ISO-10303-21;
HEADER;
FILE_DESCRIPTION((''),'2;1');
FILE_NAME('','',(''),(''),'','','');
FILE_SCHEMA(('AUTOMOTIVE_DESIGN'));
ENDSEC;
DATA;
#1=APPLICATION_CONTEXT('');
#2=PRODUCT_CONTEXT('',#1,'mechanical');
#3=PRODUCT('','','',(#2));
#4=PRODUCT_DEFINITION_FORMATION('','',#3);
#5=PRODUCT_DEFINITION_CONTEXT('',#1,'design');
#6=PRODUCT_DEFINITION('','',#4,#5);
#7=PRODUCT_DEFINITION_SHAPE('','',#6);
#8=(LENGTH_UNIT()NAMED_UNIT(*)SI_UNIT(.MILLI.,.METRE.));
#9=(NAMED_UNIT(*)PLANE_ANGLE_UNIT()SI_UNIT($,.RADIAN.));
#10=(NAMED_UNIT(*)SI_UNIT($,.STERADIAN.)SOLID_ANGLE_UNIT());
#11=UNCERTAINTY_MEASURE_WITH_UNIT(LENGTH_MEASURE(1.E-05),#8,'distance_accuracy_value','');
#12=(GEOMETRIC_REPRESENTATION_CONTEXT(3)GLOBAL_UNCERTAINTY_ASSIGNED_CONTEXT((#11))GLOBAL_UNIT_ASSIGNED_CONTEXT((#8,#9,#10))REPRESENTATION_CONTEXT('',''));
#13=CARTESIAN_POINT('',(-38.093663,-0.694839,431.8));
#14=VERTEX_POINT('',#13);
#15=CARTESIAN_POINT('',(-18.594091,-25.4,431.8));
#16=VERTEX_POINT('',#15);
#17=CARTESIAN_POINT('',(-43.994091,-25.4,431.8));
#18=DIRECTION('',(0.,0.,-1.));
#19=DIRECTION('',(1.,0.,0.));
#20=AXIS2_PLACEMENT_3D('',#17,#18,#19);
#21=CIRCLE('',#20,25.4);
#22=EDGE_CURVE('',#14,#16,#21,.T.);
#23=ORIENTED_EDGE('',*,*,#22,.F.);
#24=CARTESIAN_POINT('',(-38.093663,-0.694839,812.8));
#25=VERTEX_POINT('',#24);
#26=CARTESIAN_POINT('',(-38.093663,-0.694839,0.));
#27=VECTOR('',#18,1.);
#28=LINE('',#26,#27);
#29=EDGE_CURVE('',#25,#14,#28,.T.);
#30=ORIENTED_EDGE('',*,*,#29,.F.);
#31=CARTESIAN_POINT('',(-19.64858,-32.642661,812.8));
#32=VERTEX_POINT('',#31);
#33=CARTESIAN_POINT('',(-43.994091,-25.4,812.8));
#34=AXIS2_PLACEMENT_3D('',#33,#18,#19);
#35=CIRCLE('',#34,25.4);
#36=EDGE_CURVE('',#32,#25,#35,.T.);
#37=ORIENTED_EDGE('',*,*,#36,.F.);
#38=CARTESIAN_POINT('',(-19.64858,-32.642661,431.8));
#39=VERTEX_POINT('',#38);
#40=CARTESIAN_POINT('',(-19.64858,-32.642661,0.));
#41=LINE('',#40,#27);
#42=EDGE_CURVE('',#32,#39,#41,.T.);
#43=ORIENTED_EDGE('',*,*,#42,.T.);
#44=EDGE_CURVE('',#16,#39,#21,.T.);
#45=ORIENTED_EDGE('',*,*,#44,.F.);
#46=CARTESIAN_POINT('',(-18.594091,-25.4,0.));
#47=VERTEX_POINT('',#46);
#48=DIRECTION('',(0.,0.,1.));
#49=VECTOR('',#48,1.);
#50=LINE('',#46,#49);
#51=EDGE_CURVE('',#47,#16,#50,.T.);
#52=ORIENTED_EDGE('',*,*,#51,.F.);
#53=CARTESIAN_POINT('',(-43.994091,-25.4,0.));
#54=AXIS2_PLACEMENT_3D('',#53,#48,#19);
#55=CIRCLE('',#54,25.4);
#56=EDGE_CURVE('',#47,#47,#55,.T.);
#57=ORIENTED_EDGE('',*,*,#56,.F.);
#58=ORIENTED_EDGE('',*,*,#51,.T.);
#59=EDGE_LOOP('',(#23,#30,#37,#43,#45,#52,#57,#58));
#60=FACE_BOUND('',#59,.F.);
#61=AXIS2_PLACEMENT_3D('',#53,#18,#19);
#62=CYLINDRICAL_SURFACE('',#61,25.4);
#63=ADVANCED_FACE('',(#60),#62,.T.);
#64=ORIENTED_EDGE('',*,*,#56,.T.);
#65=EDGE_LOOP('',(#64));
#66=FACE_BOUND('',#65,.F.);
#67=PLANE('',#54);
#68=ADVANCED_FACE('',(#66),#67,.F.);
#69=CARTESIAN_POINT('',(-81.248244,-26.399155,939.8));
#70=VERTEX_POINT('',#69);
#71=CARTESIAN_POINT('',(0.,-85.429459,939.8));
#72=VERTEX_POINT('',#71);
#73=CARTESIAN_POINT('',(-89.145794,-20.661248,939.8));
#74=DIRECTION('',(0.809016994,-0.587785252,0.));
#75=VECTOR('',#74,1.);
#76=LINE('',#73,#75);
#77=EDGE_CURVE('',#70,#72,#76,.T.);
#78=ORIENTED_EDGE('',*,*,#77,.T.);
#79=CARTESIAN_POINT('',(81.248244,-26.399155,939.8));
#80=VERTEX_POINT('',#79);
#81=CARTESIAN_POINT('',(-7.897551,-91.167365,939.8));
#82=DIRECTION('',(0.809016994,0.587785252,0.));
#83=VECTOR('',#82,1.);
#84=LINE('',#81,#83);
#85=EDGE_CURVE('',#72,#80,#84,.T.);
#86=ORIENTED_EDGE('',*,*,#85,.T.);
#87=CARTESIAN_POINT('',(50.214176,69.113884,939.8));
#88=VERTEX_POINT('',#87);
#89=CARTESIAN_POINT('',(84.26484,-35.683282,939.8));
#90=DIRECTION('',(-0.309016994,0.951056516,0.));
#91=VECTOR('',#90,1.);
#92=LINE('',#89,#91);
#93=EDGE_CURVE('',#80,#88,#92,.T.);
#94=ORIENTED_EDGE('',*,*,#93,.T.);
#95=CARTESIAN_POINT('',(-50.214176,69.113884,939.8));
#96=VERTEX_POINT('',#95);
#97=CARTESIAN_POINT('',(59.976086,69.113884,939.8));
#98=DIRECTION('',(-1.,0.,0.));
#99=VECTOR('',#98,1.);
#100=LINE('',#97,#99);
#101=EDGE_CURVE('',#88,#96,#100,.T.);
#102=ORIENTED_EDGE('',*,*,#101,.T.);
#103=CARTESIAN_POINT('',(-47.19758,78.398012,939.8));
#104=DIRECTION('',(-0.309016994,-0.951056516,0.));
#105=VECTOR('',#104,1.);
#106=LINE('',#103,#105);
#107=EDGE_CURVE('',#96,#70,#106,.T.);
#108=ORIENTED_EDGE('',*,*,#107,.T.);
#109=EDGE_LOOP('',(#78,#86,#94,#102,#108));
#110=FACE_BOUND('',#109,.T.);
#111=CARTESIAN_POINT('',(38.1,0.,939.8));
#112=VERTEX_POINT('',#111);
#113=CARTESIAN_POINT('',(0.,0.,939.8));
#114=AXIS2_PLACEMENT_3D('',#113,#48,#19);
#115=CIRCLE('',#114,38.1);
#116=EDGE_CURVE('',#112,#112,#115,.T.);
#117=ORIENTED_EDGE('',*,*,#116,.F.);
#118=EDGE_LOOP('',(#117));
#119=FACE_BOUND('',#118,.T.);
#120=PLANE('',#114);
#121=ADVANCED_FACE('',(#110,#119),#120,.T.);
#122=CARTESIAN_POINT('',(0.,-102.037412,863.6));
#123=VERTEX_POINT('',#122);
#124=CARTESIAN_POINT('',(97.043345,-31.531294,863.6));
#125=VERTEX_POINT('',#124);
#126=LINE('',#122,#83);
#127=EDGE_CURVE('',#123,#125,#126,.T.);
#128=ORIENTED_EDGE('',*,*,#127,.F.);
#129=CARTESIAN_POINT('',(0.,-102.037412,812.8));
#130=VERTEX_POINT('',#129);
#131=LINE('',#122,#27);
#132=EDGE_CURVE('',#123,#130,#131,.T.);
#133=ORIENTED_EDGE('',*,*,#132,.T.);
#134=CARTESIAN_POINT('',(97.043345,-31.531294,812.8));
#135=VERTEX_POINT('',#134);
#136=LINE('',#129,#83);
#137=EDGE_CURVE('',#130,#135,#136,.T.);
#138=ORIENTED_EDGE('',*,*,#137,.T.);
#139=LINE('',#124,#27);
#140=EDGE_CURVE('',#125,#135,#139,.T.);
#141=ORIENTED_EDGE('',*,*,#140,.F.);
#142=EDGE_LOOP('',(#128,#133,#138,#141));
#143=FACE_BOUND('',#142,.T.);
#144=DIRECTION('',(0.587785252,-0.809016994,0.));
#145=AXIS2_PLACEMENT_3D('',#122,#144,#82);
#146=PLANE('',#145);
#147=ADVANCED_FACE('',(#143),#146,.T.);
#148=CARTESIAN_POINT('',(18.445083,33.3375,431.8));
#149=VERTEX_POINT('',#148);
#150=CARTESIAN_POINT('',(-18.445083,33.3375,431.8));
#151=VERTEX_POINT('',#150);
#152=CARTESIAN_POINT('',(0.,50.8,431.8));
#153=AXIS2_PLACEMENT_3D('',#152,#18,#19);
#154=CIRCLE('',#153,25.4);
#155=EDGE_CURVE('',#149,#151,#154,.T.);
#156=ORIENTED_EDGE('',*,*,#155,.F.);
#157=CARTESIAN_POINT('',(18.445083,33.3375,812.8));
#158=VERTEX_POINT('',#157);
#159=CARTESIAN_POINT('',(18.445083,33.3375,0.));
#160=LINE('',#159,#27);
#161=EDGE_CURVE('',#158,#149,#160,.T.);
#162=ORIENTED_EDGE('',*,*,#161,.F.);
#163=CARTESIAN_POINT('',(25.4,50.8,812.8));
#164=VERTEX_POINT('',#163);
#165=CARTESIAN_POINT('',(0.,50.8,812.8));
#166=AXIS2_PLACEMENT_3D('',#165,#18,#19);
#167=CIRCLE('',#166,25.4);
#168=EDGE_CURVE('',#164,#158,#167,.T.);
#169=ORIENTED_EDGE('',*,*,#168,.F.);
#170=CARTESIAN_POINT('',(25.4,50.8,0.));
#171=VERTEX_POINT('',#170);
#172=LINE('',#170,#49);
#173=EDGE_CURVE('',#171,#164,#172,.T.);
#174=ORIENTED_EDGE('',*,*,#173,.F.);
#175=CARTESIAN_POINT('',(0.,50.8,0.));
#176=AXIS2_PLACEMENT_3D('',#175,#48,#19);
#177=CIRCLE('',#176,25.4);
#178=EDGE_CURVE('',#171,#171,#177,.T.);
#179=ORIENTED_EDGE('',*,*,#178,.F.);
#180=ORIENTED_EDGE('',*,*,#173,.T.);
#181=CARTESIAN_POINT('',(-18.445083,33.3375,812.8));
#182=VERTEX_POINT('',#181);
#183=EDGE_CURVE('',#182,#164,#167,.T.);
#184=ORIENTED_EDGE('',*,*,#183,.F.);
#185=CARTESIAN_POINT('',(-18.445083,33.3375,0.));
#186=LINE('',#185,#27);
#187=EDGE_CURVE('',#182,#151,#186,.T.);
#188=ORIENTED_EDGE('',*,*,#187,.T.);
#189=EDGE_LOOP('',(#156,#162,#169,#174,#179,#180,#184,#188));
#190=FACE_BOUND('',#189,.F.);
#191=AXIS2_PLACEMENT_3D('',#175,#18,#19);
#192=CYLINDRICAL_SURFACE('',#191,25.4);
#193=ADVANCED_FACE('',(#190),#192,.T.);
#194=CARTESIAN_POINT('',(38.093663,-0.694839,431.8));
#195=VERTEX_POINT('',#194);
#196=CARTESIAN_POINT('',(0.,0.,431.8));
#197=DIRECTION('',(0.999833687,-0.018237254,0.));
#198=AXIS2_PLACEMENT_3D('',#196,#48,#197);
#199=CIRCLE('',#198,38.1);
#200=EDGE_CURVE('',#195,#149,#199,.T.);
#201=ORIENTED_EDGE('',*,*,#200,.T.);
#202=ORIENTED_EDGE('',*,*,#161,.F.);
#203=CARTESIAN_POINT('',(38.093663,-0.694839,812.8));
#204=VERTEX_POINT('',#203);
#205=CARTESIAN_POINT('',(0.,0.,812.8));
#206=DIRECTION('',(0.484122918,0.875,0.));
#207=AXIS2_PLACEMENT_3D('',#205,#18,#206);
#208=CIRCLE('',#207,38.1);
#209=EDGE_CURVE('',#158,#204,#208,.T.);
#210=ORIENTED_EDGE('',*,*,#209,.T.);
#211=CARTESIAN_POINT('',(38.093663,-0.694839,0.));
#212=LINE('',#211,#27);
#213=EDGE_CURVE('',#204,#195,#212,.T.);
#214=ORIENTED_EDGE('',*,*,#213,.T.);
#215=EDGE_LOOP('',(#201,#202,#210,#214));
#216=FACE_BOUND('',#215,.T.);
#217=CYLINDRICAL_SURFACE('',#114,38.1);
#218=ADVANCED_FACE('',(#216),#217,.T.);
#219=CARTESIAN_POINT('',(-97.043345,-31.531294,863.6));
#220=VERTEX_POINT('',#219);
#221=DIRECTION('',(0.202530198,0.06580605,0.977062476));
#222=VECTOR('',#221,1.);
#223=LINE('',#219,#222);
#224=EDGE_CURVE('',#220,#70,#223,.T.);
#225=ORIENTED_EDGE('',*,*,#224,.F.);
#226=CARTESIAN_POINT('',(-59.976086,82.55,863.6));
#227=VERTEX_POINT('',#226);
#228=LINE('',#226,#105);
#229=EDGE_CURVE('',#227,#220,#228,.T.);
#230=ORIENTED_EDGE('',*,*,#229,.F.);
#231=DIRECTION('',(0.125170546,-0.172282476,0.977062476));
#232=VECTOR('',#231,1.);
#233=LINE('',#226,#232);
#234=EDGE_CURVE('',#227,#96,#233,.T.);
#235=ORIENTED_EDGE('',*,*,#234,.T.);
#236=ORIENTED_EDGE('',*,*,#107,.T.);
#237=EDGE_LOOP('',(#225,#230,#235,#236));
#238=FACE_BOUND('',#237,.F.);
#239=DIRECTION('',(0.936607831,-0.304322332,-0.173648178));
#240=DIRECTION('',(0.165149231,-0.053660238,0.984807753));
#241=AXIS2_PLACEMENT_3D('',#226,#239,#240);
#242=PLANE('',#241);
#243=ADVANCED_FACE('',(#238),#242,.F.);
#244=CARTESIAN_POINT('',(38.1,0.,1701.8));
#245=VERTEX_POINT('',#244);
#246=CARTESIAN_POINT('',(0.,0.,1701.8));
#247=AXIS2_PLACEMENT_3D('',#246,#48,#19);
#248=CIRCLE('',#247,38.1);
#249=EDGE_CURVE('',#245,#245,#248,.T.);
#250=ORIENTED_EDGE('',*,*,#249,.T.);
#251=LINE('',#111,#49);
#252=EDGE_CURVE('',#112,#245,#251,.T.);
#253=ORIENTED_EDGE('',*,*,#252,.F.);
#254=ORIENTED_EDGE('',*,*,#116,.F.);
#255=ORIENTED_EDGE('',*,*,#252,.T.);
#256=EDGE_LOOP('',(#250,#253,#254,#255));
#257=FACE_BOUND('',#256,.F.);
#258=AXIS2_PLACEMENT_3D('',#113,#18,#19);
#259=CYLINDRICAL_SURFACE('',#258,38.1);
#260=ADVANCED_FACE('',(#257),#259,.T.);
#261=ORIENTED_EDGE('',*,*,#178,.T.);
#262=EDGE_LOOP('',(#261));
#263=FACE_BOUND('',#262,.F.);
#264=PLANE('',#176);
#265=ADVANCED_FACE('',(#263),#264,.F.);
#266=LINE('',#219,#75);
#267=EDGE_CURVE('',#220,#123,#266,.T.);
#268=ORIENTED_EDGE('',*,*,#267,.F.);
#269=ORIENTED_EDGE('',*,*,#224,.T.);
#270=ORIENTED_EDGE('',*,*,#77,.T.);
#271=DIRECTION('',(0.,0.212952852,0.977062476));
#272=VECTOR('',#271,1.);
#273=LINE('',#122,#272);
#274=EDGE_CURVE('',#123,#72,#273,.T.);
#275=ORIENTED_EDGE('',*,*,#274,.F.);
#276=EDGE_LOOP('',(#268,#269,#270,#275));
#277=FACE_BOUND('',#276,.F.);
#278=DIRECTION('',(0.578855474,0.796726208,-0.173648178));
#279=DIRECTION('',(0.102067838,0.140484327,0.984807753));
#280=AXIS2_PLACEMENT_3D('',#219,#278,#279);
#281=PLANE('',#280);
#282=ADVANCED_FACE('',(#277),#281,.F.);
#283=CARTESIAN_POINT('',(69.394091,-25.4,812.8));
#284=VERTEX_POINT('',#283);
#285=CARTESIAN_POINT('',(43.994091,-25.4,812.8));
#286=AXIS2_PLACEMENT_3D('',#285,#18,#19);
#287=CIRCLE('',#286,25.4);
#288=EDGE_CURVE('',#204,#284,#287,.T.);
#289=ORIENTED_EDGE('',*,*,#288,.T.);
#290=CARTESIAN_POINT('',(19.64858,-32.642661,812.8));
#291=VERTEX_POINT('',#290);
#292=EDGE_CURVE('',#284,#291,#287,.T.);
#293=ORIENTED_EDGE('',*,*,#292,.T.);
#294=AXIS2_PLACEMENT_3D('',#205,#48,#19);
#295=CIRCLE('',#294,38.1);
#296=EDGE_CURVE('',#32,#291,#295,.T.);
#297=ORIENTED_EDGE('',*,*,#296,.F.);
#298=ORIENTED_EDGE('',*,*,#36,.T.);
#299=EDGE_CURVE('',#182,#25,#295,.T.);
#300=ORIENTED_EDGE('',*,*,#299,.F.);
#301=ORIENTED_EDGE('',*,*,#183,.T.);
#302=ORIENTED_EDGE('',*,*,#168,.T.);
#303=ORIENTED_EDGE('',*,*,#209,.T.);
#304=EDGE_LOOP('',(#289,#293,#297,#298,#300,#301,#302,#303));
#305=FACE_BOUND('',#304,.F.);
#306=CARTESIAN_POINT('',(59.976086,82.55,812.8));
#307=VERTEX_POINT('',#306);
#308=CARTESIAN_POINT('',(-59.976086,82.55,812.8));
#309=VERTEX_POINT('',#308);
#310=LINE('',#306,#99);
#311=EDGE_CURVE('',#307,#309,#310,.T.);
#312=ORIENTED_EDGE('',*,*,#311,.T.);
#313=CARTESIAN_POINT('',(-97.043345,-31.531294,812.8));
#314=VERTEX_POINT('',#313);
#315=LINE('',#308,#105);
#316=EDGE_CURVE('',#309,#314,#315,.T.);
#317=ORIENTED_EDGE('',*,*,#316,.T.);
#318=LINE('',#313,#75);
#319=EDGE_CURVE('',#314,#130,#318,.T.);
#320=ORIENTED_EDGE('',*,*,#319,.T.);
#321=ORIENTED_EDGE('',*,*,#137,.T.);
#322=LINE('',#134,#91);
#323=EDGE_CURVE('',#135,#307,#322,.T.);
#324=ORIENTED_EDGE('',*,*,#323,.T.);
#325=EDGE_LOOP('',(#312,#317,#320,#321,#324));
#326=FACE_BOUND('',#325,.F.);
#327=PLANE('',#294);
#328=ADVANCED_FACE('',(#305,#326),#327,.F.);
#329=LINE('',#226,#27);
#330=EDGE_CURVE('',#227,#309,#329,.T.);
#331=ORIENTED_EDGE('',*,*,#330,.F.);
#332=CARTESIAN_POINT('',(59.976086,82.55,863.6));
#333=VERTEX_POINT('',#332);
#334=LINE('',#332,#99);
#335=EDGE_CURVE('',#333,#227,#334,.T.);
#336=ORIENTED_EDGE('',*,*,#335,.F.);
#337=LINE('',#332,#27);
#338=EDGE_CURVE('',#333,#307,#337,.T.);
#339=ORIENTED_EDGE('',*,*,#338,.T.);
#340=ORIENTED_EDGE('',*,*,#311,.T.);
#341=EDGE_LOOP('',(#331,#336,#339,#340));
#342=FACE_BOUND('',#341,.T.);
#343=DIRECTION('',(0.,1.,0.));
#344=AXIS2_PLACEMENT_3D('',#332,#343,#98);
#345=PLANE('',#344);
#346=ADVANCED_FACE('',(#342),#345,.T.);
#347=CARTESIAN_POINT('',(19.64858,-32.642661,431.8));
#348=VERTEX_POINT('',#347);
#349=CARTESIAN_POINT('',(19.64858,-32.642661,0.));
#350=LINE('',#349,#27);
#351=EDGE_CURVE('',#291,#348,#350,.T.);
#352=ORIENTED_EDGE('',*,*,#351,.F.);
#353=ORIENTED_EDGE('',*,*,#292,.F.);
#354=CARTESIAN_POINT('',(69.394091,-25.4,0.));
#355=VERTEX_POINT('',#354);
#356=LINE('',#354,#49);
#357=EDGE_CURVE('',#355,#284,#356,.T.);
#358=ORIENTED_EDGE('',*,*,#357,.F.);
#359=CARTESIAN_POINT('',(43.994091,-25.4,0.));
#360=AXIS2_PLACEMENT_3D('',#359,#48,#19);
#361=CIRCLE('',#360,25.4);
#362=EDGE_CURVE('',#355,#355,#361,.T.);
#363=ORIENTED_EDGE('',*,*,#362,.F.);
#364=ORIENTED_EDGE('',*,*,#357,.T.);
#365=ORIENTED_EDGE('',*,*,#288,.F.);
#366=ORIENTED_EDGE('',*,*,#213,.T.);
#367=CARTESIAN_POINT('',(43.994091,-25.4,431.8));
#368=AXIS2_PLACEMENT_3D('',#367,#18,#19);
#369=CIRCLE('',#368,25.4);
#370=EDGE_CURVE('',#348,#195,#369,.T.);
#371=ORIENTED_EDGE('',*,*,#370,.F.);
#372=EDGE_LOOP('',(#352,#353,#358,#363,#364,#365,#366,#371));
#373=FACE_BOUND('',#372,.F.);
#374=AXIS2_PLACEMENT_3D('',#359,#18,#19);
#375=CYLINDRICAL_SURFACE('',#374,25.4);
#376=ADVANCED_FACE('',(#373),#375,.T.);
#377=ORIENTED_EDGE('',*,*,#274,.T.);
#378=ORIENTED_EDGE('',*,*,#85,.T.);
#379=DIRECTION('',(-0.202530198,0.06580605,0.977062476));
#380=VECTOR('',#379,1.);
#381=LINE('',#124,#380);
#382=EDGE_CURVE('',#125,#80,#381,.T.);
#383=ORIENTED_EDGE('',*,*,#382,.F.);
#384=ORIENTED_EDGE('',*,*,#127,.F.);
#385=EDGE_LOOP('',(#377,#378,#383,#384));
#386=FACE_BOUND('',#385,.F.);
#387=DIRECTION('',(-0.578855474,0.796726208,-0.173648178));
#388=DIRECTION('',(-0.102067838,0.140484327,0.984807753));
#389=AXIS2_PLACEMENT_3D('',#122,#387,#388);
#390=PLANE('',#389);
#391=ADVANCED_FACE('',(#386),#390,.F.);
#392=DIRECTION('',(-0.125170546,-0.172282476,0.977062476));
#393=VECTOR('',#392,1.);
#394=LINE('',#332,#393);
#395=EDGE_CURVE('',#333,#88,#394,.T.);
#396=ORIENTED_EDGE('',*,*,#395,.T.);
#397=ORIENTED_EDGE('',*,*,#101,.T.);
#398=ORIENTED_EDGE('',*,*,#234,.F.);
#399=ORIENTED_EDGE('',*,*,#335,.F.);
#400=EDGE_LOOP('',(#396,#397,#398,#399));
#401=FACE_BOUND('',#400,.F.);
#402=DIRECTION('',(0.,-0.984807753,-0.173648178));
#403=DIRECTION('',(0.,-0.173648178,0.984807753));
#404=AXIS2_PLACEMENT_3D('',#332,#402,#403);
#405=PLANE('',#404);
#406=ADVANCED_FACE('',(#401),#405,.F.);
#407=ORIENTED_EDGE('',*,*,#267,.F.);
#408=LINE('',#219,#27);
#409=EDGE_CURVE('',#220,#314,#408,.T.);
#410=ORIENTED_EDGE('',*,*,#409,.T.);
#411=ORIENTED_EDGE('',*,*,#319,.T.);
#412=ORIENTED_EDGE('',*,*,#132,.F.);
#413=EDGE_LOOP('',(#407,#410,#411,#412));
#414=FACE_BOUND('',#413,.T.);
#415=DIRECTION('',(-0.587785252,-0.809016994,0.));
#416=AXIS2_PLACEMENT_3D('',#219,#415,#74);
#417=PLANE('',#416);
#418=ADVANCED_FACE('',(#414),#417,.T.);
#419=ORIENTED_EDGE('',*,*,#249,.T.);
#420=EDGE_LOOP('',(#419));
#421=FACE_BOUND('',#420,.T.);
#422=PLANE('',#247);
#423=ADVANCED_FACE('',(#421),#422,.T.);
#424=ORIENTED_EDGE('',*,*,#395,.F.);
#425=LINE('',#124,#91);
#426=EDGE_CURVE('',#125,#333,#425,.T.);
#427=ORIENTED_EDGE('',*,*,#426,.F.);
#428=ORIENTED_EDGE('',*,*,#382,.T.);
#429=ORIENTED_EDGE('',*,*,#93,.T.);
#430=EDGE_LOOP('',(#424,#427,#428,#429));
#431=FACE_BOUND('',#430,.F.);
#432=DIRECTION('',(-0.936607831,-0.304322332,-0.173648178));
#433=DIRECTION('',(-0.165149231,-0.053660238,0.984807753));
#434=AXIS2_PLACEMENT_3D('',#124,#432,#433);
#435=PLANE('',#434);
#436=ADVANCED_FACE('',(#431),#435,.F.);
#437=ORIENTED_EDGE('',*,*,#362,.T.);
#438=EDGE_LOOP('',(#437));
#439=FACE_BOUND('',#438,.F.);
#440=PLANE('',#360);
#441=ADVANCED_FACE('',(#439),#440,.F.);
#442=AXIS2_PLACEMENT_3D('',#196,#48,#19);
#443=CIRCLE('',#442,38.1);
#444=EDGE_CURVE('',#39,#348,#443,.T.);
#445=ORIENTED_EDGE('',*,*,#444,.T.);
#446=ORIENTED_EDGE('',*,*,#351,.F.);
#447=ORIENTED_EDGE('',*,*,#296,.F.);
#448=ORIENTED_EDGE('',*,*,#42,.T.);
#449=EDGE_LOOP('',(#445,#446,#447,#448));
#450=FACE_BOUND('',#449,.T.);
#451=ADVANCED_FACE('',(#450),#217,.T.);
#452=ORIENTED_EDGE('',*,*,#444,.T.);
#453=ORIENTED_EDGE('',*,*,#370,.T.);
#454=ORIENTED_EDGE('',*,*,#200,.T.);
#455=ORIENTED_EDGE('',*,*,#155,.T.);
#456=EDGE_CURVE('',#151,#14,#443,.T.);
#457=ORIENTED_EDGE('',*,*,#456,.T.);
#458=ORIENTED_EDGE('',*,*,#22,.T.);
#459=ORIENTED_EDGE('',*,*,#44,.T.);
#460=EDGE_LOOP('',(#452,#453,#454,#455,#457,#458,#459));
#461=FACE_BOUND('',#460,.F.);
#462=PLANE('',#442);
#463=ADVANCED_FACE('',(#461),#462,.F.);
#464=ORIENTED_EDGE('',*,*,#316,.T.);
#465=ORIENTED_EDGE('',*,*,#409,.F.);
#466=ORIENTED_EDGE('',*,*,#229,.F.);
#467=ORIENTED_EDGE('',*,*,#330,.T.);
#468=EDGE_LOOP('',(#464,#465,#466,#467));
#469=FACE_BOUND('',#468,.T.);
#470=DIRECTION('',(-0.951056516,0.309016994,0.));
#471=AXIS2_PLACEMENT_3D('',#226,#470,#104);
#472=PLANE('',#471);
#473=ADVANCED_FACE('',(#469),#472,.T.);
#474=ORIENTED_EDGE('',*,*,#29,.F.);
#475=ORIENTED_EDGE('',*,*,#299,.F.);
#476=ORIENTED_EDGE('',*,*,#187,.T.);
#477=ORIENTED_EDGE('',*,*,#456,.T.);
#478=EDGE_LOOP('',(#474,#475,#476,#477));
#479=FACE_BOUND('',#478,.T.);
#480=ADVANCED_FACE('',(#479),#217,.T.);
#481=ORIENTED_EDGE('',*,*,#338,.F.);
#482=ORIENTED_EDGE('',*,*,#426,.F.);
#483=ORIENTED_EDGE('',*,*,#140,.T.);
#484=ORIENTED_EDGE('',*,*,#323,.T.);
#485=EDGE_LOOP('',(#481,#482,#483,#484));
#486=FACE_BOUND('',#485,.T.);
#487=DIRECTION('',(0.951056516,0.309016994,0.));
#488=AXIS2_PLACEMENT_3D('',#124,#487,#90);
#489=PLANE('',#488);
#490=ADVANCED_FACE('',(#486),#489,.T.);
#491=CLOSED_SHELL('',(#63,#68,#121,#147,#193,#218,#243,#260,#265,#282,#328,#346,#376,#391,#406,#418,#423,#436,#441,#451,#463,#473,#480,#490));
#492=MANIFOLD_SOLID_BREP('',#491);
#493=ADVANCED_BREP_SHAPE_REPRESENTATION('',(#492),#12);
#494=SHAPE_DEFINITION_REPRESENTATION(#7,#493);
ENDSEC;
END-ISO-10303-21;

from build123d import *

# Parameters (mm, degrees)
F0_R          = 25.4
F1_DEPTH      = 863.6
F2_R          = 25.4
F3_DEPTH      = 50.8
F3_DEPTH_BACK = 76.2
F3_TAPER_BACK = 10
F4_R          = 38.1
F5_DEPTH      = 762
F5_DEPTH_BACK = 508


with BuildPart() as f1:
    # F0 (on Top) → F1 (new body)
    with BuildSketch(Plane.XY):
        with Locations((0, 50.8)):
            Circle(F0_R)
    extrude(amount=F1_DEPTH)



with BuildPart() as f1b:
    # F0 (on Top) → F1, piece 2 (new body)
    with BuildSketch(Plane.XY):
        with Locations((-43.9940905122, -25.4)):
            Circle(F0_R)
    extrude(amount=F1_DEPTH)


with BuildPart() as f1c:
    # F0 (on Top) → F1, piece 3 (new body)
    with BuildSketch(Plane.XY):
        with Locations((43.9940905122, -25.4)):
            Circle(F0_R)
    extrude(amount=F1_DEPTH)


with BuildPart() as f1_1:
    add(f1.part)

    add(f1b.part)  # F3 merges F1b

    add(f1c.part)  # F3 merges F1c
    # F2 (on face) → F3 (join, two sides)
    with BuildSketch(Plane.XY.offset(863.6)) as f3_sk:
        Polygon((59.9760856868, 82.55), (-59.9760856868, 82.55), (-97.0433451535, -31.5312942287), (0, -102.0374115426), (97.0433451535, -31.5312942287), align=None)
        with Locations((-43.9940905122, -25.4)):
            Circle(F2_R, mode=Mode.SUBTRACT)
        with Locations((-43.9940905122, -25.4)):
            Circle(F2_R)
    extrude(amount=-F3_DEPTH)
    extrude(f3_sk.sketch, amount=F3_DEPTH_BACK, taper=F3_TAPER_BACK)

    # F4 (on face) → F5 (join, two sides)
    with BuildSketch(Plane.XY.offset(939.8)) as f5_sk:
        Circle(F4_R)
    extrude(amount=F5_DEPTH)
    extrude(f5_sk.sketch, amount=-F5_DEPTH_BACK)


solid = f1_1.part
